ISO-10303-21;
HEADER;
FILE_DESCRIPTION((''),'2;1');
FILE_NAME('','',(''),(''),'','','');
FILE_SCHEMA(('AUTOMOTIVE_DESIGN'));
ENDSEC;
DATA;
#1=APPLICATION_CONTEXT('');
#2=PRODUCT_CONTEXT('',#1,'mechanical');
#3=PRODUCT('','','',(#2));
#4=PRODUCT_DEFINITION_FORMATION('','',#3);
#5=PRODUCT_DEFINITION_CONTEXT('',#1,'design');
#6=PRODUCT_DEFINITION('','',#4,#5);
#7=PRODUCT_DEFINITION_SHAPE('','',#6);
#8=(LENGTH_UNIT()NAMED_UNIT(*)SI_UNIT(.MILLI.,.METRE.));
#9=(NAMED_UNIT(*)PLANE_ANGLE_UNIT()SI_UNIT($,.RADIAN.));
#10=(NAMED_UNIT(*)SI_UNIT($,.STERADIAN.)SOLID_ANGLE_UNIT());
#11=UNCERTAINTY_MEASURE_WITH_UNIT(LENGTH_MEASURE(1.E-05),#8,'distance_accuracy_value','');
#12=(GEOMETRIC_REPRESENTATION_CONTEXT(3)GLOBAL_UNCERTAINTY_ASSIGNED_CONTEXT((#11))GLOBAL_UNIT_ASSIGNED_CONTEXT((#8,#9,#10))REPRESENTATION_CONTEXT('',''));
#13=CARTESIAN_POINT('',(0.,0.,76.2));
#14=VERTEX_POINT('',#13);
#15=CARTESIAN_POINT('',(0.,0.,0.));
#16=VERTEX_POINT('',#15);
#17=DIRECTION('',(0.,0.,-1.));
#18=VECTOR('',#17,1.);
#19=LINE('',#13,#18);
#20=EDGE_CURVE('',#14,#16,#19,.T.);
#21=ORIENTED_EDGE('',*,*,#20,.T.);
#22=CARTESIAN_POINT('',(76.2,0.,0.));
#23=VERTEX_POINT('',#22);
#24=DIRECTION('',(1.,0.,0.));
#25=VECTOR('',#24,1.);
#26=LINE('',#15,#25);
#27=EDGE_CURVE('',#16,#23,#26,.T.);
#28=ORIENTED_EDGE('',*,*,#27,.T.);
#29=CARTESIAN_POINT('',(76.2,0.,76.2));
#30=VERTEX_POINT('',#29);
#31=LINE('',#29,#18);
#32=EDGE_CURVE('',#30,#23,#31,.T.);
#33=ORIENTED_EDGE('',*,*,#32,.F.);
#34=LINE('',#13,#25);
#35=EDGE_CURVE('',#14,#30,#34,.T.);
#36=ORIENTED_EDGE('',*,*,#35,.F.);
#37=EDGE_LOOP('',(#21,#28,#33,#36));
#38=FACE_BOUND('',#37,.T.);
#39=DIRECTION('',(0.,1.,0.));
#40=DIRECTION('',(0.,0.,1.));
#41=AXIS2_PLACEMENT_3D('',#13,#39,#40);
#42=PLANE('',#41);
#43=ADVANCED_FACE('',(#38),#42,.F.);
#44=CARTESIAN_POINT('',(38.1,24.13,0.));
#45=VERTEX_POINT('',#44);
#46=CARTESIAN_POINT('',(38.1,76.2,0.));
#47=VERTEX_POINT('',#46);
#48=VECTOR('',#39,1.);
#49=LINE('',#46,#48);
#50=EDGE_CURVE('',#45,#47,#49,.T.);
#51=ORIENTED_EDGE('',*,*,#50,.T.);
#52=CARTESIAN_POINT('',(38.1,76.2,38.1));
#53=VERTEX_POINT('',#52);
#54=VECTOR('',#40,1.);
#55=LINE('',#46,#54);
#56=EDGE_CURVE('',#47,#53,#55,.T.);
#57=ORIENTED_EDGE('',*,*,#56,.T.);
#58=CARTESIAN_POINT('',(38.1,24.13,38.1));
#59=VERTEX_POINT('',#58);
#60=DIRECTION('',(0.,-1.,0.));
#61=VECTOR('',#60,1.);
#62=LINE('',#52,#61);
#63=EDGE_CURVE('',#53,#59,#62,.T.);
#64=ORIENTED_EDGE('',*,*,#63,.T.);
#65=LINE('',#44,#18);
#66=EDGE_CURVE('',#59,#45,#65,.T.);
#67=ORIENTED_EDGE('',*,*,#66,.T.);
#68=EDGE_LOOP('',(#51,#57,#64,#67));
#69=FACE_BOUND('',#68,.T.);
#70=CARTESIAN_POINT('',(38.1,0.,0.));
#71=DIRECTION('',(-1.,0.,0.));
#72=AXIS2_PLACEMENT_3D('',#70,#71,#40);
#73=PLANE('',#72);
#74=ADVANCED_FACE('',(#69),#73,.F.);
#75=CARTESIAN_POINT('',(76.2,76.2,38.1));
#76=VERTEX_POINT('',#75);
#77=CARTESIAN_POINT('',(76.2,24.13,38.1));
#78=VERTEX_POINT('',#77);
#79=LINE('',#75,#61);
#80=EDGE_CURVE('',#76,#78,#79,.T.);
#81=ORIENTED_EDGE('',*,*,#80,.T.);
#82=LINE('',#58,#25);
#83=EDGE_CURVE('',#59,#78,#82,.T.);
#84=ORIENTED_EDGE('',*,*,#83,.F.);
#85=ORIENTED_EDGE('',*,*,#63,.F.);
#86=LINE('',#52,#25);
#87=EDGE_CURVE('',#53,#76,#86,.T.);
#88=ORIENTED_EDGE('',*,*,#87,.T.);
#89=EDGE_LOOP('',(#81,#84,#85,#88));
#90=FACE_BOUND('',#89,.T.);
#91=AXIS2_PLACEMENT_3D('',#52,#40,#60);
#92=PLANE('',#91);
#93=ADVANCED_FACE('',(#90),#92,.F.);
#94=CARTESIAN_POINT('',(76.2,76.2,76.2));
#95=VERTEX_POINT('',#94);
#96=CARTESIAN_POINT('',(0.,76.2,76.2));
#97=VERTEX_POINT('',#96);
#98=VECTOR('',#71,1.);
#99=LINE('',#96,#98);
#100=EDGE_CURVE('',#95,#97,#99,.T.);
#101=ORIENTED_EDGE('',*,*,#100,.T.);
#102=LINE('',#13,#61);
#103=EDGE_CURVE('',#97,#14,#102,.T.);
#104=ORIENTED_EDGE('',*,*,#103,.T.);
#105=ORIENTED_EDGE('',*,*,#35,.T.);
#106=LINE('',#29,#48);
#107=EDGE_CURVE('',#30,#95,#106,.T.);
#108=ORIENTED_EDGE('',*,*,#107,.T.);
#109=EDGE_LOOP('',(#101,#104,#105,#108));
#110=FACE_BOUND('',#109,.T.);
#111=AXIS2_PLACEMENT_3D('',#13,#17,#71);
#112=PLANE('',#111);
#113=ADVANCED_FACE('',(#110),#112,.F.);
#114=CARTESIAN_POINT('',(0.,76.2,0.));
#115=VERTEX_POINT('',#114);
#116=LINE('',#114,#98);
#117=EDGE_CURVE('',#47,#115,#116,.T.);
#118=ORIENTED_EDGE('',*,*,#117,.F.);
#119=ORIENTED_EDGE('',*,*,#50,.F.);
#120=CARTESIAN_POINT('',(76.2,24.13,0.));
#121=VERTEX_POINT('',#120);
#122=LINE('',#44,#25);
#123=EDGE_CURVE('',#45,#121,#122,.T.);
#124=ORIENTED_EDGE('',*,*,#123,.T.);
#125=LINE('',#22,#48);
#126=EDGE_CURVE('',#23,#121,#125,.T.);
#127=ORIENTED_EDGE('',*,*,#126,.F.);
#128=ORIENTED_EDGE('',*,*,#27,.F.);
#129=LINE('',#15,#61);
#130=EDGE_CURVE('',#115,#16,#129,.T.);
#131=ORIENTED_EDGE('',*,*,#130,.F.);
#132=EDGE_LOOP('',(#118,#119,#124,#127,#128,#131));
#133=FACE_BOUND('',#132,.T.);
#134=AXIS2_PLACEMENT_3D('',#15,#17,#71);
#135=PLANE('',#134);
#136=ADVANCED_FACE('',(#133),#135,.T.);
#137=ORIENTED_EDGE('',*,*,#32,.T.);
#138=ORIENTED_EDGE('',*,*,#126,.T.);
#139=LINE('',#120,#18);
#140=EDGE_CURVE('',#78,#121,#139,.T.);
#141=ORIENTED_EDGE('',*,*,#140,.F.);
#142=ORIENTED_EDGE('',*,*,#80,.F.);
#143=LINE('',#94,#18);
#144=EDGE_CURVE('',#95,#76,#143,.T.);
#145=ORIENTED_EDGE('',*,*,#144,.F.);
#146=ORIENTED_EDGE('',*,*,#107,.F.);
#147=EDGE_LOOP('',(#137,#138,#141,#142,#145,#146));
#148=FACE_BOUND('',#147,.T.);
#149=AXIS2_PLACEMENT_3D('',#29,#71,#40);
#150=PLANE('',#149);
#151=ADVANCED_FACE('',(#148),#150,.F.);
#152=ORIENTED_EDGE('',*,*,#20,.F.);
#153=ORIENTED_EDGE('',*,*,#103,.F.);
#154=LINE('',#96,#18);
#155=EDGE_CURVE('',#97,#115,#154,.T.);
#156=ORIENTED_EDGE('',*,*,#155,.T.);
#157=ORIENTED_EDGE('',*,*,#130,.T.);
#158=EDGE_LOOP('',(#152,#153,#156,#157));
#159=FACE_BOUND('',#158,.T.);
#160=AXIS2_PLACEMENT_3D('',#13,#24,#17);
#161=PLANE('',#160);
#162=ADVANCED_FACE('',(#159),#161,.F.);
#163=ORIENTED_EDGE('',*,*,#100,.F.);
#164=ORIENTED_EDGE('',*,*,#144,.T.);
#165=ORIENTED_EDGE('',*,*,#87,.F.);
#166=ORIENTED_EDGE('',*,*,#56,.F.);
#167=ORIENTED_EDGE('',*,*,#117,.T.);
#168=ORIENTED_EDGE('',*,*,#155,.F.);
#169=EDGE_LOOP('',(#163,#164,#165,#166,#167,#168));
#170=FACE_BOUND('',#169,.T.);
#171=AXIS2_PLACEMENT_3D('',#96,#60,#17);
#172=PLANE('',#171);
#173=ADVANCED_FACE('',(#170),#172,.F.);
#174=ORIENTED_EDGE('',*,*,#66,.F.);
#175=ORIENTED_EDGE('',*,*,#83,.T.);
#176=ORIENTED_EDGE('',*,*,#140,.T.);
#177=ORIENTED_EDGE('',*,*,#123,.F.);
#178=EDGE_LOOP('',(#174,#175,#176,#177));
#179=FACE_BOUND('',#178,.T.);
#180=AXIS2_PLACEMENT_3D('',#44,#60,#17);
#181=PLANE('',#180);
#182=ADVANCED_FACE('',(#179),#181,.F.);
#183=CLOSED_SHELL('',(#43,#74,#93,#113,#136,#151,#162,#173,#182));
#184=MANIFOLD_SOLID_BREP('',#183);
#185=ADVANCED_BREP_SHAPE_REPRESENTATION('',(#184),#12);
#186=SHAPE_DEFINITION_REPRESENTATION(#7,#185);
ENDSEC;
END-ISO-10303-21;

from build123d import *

# Parameters (mm, degrees)
SKETCH1_W           = 76.2
SKETCH1_H           = 76.2
BOSS_EXTRUDE1_DEPTH = 76.2
SKETCH2_W           = 38.1
SKETCH2_H           = 52.07
CUT_EXTRUDE1_DEPTH  = 38.1


with BuildPart() as part:
    # Sketch1 → Boss-Extrude1 (new body)
    with BuildSketch(Plane.XY):
        with Locations((38.1, 38.1)):
            Rectangle(SKETCH1_W, SKETCH1_H)
    extrude(amount=BOSS_EXTRUDE1_DEPTH)

    # Sketch2 → Cut-Extrude1 (cut)
    with BuildSketch(Plane(origin=(76.2, 0, 0), x_dir=(0, 0, -1), z_dir=(1, 0, 0))):
        with Locations((-19.05, 50.165)):
            Rectangle(SKETCH2_W, SKETCH2_H)
    extrude(amount=-CUT_EXTRUDE1_DEPTH, mode=Mode.SUBTRACT)


solid = part.part
